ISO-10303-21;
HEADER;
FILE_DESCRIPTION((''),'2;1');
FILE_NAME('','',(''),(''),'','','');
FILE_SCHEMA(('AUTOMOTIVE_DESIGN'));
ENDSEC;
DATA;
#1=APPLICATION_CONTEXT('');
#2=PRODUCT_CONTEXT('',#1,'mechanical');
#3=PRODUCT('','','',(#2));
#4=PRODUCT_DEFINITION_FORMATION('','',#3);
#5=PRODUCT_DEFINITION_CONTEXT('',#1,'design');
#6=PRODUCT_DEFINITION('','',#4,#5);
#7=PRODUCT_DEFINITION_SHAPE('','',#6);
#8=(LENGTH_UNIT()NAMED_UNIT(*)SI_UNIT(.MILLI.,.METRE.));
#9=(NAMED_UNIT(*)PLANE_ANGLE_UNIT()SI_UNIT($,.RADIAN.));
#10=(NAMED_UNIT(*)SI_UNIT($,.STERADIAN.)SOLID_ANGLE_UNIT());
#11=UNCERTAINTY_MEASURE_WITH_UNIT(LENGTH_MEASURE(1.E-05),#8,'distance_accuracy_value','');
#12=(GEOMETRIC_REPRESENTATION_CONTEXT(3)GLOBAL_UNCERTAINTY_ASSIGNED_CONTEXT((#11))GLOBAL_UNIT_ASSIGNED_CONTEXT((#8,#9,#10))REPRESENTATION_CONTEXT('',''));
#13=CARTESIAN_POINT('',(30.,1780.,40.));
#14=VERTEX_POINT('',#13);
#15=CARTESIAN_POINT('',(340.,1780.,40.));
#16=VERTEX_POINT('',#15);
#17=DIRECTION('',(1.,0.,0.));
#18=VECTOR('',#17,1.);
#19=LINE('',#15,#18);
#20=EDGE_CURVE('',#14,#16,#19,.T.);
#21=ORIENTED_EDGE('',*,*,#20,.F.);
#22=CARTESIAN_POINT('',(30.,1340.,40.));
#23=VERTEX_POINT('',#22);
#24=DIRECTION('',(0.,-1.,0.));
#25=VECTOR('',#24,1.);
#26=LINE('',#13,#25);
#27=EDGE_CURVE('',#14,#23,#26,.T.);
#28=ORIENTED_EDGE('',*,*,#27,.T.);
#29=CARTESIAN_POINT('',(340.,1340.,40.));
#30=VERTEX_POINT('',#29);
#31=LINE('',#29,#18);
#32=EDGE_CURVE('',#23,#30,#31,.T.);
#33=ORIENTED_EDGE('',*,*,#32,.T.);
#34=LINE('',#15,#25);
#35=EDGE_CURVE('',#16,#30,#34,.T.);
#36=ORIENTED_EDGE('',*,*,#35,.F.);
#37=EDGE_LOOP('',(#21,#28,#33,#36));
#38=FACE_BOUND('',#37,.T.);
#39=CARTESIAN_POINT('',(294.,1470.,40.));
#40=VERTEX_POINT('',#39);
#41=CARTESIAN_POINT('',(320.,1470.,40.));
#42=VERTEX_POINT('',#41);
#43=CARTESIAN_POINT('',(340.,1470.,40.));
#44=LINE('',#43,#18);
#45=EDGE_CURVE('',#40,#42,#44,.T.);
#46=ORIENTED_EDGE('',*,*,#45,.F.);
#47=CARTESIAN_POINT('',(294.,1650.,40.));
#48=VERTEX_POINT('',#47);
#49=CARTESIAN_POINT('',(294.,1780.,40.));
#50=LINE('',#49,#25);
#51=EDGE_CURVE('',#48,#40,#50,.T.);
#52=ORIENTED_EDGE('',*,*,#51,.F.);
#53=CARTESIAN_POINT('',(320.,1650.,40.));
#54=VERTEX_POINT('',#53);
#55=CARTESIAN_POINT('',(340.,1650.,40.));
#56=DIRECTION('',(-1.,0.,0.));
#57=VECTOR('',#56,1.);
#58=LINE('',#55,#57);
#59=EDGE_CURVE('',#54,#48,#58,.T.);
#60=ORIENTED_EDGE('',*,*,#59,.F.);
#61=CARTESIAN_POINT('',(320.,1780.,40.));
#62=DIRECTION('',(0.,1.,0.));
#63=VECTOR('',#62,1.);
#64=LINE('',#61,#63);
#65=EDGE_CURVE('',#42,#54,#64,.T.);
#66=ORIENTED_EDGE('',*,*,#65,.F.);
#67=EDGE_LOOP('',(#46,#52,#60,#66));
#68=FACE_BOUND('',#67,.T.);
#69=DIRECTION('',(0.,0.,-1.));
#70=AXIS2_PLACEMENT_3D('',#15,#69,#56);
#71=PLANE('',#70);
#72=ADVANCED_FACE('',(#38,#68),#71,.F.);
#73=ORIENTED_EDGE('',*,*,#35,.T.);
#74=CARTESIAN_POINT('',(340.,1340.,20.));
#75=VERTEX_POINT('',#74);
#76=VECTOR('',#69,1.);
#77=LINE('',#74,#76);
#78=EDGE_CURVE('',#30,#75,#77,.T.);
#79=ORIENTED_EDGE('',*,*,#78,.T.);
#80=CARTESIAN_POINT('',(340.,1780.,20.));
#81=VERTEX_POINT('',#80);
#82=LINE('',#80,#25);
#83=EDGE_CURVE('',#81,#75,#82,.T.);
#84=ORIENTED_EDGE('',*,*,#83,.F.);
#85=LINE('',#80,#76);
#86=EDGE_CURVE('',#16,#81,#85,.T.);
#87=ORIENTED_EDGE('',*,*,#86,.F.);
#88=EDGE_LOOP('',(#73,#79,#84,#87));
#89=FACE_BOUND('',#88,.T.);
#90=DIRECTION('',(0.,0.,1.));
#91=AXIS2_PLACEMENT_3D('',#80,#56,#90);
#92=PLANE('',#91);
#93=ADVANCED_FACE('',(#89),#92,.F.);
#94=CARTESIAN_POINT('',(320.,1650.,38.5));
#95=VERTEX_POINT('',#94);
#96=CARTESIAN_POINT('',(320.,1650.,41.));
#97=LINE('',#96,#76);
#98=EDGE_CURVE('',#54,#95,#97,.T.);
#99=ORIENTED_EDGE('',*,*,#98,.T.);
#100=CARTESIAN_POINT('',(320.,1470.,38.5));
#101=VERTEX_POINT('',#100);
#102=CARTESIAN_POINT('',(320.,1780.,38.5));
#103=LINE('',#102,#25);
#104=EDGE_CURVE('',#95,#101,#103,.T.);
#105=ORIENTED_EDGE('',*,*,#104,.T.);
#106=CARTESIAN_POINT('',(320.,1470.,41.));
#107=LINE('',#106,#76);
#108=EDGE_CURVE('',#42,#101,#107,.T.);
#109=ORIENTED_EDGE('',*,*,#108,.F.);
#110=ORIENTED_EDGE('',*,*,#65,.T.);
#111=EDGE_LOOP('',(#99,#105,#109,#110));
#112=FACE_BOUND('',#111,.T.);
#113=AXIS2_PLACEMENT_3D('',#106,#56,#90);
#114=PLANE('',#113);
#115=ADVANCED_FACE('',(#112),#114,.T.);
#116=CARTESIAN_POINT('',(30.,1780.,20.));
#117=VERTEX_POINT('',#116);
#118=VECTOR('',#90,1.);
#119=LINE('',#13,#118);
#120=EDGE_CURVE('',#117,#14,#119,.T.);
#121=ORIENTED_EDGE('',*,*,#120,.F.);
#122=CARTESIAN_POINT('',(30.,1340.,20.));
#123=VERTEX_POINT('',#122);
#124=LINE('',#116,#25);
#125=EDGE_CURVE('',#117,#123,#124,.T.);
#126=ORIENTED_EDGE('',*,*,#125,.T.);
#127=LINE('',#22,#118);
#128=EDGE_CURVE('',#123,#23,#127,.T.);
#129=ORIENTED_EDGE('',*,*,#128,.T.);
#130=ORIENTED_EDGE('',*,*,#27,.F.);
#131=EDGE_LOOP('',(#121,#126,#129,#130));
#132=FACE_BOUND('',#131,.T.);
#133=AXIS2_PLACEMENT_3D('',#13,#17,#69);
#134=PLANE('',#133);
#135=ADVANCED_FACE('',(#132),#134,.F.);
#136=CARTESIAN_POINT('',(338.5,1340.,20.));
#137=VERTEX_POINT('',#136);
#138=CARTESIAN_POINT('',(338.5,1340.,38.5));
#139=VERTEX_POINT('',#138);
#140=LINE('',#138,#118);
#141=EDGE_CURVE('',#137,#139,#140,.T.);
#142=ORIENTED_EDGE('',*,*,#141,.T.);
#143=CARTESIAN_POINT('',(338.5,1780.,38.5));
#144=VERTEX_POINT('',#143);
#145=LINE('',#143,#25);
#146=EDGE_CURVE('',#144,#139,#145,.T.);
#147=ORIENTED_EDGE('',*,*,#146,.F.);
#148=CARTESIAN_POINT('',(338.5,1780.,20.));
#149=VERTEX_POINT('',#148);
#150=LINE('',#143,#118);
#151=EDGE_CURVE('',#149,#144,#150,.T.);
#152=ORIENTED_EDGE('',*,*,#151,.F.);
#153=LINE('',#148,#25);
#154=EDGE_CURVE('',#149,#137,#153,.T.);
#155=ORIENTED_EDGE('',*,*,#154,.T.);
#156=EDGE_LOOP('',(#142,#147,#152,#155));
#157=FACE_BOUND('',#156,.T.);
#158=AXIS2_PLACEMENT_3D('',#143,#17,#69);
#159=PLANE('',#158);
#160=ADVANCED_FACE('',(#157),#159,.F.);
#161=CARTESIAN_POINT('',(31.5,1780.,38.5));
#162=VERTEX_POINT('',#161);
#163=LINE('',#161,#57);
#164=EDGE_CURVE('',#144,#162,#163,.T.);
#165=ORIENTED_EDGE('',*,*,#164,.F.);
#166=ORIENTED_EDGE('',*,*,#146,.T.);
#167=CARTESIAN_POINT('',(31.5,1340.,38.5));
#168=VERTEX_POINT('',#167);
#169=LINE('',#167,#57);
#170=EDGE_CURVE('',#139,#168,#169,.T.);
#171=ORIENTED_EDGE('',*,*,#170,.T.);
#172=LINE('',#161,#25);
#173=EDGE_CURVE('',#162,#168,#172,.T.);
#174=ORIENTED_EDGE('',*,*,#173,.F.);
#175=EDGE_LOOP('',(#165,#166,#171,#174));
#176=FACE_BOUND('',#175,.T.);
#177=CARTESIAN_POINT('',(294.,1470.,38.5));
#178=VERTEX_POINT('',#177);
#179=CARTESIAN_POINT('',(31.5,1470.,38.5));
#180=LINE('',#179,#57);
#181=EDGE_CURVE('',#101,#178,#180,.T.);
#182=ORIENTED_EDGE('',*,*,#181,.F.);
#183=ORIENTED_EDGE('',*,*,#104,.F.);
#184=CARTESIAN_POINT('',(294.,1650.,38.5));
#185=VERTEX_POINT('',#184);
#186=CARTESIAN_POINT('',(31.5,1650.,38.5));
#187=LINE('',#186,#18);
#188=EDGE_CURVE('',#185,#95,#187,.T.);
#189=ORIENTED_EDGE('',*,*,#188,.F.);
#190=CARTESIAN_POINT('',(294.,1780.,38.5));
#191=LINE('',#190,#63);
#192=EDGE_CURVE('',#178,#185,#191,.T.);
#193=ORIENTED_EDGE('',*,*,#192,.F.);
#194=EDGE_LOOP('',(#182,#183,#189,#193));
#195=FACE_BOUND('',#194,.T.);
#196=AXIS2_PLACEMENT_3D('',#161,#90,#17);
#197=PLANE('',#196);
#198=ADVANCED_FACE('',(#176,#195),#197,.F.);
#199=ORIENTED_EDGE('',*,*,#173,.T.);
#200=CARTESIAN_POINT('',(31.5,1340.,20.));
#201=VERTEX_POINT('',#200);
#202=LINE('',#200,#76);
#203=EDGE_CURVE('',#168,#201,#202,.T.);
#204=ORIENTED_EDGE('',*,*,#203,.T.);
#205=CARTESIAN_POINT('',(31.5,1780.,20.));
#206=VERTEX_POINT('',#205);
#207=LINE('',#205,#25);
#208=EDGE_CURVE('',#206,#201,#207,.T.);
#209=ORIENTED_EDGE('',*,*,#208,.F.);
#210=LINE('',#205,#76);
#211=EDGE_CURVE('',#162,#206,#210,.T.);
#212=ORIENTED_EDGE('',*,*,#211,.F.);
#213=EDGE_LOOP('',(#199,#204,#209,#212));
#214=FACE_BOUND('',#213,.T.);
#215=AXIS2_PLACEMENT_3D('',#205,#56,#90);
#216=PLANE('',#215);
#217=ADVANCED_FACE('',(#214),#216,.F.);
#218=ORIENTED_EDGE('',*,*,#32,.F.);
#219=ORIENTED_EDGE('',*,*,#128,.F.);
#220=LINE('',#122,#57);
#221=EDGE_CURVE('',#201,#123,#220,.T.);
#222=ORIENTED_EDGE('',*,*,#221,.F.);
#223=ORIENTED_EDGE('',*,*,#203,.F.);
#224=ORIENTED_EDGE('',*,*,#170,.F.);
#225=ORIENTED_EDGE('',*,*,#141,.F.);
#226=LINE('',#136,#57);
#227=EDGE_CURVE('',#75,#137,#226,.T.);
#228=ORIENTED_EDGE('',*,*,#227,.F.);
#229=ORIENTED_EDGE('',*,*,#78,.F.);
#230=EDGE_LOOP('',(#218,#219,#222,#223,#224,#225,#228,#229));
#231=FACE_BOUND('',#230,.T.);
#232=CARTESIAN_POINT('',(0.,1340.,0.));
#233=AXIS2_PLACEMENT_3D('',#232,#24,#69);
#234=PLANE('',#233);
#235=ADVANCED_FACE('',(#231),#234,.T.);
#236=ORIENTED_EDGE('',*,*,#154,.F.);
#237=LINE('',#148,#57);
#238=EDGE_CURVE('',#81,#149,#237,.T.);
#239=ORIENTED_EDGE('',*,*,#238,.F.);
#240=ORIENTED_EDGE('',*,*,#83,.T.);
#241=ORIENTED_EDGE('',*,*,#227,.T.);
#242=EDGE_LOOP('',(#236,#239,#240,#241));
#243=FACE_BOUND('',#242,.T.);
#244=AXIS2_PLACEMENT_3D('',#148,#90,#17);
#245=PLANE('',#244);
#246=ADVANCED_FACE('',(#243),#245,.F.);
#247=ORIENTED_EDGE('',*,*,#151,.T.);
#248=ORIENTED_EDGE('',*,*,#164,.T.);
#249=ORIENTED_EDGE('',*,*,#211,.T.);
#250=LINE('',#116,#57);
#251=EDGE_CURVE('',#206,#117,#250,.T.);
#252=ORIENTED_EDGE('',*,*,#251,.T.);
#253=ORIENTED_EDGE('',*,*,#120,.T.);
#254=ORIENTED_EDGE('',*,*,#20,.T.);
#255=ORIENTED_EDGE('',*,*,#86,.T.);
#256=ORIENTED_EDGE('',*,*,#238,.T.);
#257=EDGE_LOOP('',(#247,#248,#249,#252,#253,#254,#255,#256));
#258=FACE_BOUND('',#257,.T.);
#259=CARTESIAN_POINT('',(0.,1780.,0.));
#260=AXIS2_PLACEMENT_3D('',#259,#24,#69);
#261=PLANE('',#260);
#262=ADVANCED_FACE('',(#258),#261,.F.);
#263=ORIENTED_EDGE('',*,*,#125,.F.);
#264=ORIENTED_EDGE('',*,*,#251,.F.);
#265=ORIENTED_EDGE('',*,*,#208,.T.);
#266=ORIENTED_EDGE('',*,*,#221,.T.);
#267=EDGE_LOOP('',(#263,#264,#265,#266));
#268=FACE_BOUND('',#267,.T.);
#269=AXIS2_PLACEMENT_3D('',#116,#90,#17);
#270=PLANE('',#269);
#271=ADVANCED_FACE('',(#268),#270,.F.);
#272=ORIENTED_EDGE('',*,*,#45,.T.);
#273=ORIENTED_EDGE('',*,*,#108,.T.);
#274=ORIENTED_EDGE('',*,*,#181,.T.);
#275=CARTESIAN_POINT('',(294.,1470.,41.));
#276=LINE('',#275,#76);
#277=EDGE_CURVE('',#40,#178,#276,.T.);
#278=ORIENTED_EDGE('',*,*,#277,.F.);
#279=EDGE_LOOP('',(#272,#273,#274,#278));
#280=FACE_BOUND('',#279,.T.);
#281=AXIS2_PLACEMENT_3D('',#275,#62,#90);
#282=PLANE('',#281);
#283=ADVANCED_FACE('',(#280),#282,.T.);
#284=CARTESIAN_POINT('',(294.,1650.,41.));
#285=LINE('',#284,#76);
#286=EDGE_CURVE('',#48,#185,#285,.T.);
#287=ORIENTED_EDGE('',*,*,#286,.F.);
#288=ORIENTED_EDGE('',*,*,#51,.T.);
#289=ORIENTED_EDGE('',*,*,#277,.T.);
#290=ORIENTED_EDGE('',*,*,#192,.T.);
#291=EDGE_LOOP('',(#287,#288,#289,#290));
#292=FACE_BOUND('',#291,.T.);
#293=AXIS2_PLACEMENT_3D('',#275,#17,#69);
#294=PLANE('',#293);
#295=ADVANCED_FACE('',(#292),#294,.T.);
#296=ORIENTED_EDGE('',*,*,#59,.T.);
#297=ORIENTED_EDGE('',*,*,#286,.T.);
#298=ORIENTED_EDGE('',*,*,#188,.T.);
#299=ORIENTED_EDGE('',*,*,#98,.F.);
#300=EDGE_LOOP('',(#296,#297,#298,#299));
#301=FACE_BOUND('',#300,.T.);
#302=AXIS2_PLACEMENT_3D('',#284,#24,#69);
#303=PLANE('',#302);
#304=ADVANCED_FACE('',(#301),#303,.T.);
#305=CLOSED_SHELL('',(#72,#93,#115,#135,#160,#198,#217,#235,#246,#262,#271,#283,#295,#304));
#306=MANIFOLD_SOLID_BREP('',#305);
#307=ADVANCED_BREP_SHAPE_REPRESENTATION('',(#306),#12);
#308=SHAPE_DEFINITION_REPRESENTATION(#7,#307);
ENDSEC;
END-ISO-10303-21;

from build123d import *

# Parameters (mm, degrees)
PRESS_KOVA_KAPAGI_KAPAK_1_START = 1340
PRESS_KOVA_KAPAGI_KAPAK_1_DEPTH = 440
PRESS_KOVA_KAPAGI_KAPAK_2_START = 27
SKETCH2_W                       = 26
SKETCH2_H                       = 180
PRESS_KOVA_KAPAGI_KAPAK_2_DEPTH = 14


with BuildPart() as part:
    # Sketch1 → PRESS_kova_kapagi_kapak_1 (new body)
    with BuildSketch(Plane(origin=(0, 0, 0), x_dir=(1, 0, 0), z_dir=(0, 1, 0)).offset(PRESS_KOVA_KAPAGI_KAPAK_1_START)):
        Polygon((30, -40), (30, -20), (31.5, -20), (31.5, -38.5), (338.5, -38.5), (338.5, -20), (340, -20), (340, -40), align=None)
    extrude(amount=PRESS_KOVA_KAPAGI_KAPAK_1_DEPTH)

    # Sketch2 → PRESS_kova_kapagi_kapak_2 (cut)
    with BuildSketch(Plane.XY.offset(PRESS_KOVA_KAPAGI_KAPAK_2_START)):
        with Locations((307, 1560)):
            Rectangle(SKETCH2_W, SKETCH2_H)
    extrude(amount=PRESS_KOVA_KAPAGI_KAPAK_2_DEPTH, mode=Mode.SUBTRACT)


solid = part.part
